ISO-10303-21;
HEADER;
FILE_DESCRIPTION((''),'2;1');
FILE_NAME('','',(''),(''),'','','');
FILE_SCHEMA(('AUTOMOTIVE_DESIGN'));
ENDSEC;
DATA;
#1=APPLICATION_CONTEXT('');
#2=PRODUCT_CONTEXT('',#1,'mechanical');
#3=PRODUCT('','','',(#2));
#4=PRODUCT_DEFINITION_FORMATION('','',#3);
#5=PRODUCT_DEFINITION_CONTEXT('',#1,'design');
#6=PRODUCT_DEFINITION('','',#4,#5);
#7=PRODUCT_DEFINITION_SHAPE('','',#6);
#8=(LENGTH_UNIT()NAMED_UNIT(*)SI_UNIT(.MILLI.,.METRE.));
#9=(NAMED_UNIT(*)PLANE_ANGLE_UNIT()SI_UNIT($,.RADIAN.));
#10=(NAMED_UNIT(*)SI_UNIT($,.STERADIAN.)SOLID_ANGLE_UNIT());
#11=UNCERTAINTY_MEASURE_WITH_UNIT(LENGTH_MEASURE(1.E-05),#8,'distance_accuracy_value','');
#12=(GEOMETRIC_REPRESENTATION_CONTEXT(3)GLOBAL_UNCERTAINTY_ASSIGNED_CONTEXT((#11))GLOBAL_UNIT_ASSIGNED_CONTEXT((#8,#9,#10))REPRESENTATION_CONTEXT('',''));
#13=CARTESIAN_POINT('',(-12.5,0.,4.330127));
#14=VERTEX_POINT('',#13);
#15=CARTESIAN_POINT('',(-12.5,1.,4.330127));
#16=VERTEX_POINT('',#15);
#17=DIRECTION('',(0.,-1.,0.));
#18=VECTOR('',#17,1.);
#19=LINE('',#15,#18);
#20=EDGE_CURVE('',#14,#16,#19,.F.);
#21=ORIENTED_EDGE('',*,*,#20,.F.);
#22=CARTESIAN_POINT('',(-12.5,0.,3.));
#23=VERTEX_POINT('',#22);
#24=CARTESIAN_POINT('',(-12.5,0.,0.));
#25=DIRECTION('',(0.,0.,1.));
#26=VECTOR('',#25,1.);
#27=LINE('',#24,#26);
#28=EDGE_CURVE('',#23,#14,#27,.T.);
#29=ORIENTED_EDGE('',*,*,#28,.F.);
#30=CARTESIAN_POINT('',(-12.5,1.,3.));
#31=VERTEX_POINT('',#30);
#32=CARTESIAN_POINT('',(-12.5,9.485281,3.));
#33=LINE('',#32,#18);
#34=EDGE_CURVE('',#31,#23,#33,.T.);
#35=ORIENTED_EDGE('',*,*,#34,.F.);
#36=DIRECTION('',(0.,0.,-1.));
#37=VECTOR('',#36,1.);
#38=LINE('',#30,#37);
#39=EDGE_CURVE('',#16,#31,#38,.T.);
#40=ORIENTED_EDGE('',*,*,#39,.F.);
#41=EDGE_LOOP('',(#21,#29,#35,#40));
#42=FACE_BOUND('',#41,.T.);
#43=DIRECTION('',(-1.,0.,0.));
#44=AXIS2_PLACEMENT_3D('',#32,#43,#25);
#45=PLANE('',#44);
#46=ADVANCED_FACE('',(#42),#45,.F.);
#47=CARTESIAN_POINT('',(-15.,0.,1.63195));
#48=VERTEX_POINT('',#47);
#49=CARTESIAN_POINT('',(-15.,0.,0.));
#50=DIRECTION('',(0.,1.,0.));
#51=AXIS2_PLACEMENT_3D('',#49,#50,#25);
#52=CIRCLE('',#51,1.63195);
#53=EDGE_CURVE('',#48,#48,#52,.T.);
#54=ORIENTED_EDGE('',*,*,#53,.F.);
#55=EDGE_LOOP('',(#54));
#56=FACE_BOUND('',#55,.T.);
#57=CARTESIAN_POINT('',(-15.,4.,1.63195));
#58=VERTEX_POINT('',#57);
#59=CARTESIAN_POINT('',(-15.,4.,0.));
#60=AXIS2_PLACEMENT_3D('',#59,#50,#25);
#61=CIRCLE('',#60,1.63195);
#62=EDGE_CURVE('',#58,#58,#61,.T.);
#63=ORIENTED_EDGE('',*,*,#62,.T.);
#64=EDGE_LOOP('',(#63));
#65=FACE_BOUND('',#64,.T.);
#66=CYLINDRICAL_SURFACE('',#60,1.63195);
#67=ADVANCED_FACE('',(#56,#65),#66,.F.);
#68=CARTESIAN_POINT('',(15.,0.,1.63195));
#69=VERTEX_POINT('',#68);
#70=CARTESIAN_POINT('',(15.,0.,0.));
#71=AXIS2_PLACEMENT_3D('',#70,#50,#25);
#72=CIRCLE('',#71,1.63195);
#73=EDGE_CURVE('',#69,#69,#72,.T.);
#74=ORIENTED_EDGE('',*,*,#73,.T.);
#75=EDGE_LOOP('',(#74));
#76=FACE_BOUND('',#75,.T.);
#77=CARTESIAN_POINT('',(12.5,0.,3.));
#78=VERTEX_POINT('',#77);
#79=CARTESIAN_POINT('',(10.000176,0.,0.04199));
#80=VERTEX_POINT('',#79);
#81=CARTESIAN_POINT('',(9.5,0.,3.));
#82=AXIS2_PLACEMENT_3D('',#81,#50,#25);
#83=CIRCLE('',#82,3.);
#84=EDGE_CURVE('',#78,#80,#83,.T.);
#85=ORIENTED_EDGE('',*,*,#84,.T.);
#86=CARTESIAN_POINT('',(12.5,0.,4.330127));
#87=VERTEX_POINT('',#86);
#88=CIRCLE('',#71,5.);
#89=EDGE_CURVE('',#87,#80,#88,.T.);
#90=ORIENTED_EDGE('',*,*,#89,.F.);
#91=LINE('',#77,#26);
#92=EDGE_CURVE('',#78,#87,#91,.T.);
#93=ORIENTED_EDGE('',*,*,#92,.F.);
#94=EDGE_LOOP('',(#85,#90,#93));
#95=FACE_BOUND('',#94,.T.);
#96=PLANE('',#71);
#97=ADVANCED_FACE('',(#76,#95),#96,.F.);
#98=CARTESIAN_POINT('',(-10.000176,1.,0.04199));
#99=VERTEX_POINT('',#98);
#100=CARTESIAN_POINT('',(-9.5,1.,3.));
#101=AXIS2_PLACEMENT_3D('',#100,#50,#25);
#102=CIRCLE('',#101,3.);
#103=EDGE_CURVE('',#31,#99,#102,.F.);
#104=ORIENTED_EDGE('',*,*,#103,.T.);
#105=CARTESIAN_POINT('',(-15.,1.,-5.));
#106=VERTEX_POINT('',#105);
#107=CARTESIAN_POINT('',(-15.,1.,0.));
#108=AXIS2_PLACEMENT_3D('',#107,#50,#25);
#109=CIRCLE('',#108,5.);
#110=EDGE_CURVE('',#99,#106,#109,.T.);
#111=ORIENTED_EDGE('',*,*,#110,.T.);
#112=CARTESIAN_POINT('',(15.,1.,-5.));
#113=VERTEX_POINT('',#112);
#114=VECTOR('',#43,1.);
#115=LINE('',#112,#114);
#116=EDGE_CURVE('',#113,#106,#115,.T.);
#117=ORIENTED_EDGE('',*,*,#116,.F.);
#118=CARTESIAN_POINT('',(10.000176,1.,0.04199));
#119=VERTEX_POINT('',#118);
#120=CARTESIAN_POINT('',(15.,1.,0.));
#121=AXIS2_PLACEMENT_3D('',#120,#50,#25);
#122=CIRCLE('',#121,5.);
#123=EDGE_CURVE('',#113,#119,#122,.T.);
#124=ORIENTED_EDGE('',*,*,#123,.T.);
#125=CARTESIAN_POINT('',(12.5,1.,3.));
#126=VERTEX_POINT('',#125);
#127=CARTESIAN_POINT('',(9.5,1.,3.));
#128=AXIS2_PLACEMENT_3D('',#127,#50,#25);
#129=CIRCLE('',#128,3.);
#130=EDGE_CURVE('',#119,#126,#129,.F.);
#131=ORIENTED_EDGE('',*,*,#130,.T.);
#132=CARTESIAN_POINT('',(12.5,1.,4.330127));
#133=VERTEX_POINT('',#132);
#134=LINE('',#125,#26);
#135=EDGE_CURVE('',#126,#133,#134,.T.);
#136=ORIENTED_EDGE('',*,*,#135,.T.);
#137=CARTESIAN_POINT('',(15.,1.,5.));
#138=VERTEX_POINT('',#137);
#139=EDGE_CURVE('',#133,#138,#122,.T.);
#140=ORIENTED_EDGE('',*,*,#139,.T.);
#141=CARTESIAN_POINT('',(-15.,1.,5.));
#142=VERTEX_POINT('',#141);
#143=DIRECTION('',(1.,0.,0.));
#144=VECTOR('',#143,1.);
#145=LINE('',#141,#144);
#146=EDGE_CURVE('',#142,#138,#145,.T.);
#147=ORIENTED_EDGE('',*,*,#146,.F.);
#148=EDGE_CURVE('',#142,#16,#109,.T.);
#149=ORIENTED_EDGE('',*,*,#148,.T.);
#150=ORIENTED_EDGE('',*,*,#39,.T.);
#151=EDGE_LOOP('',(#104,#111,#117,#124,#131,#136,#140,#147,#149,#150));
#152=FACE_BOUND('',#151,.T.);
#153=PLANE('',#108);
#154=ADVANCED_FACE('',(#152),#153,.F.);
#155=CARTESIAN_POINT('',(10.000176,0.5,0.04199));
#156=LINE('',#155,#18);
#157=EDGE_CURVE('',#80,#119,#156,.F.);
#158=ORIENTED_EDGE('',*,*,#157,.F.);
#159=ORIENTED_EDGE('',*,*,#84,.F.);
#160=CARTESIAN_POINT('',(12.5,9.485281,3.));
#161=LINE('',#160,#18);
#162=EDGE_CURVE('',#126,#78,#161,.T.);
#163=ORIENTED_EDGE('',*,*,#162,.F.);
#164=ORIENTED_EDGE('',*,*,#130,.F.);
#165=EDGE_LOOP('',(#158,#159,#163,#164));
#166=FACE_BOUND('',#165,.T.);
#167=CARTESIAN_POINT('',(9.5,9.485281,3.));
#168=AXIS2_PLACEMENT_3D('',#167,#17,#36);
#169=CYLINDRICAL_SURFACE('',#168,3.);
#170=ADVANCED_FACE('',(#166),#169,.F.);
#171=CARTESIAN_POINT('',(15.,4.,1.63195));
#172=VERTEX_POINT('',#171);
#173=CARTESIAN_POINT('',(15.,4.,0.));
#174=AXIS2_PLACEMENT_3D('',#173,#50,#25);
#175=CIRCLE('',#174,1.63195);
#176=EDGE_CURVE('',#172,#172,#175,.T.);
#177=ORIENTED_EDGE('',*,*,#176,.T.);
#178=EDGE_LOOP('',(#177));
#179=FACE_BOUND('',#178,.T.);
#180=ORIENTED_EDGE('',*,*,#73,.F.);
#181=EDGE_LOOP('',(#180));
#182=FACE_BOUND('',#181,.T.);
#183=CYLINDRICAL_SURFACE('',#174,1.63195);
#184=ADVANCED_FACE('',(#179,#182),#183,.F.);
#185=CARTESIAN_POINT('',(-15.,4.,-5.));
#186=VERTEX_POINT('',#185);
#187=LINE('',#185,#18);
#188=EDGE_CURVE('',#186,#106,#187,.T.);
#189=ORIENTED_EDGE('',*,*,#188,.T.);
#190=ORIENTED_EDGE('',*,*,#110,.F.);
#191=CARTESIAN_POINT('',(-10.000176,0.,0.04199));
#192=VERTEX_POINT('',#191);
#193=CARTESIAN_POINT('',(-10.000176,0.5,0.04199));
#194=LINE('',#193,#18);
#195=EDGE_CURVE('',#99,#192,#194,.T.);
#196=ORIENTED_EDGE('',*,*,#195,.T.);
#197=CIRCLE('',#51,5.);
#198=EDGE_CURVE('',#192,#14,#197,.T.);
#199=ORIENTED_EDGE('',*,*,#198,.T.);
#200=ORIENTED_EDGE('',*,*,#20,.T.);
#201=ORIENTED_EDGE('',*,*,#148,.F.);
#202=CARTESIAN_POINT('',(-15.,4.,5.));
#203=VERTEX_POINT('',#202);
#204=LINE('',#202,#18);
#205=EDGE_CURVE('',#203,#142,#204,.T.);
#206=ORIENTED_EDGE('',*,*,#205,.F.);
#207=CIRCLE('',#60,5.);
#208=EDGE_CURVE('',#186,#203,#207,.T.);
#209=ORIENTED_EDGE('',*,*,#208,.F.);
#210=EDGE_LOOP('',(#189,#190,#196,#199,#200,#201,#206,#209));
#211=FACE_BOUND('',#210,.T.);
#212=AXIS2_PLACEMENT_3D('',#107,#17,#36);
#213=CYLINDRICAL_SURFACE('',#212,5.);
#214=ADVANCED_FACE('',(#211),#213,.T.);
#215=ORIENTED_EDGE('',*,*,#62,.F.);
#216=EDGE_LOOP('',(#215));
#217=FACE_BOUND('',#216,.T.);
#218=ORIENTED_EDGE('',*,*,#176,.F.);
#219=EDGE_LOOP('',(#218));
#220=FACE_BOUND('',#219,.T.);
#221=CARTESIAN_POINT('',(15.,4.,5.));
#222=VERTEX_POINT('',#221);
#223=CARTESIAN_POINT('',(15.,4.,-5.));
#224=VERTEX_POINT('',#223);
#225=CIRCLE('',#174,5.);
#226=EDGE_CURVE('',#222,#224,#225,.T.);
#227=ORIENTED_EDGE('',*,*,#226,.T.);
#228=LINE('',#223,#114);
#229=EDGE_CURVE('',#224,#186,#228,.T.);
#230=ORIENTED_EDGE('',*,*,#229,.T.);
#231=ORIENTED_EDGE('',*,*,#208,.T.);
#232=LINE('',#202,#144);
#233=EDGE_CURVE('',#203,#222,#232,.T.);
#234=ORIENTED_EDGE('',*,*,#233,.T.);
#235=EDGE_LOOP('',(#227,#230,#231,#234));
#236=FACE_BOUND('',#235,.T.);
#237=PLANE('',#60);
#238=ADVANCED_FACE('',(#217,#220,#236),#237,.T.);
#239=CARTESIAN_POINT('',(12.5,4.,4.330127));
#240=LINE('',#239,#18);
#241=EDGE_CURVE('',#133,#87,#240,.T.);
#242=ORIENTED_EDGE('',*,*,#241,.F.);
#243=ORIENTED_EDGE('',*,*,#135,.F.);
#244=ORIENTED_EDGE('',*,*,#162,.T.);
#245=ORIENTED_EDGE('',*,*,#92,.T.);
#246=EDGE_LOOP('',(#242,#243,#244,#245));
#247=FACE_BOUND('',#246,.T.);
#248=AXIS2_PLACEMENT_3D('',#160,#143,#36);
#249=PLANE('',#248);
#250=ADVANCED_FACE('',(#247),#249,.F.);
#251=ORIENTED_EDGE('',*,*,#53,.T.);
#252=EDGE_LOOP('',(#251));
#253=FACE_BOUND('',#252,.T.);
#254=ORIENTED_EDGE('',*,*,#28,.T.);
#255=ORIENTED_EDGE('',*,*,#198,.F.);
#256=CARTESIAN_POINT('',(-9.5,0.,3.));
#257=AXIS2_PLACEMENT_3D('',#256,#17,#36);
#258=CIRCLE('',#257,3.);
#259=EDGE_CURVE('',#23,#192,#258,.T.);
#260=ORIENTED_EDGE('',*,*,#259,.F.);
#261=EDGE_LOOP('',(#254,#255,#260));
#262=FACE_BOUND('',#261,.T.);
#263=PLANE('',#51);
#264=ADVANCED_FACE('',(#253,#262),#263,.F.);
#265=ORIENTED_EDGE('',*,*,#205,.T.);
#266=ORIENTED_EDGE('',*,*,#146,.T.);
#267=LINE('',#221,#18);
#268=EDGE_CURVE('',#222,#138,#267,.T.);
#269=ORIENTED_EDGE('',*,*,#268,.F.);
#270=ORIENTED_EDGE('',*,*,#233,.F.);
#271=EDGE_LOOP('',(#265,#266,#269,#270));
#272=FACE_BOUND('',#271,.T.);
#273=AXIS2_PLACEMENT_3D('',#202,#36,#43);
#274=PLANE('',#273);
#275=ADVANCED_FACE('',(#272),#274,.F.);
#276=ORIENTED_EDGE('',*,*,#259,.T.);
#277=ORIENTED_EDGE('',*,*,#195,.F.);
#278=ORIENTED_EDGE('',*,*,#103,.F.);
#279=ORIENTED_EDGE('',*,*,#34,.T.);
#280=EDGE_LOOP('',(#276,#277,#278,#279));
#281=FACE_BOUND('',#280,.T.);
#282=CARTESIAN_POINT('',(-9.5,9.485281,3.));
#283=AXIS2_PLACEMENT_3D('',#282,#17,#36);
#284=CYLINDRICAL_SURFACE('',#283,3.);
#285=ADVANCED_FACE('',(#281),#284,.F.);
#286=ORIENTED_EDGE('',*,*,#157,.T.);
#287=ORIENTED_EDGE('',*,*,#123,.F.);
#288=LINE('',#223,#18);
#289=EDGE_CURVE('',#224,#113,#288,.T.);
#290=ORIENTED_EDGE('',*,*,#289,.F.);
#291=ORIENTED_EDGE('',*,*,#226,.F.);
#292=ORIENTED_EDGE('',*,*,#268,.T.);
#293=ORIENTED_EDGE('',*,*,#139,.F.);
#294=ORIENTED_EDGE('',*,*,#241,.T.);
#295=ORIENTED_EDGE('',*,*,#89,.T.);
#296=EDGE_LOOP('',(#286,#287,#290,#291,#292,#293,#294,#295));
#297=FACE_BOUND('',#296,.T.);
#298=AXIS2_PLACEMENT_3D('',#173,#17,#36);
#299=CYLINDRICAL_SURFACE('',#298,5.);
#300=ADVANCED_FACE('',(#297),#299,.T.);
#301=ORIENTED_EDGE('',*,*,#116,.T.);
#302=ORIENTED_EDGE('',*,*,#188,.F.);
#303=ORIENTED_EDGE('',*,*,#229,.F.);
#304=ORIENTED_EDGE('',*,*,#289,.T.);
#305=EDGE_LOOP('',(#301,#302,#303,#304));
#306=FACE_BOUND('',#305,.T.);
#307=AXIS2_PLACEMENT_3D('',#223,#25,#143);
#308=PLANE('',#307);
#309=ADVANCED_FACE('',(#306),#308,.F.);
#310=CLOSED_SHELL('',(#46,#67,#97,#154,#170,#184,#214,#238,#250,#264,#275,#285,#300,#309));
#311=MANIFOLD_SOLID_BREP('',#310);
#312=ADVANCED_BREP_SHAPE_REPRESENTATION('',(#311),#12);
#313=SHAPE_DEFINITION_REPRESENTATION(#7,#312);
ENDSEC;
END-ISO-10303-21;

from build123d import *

# Parameters (mm, degrees)
SKETCH1_R             = 5
BOSS_EXTRUDE1_DEPTH   = 1
BOSS_EXTRUDE1_2_DEPTH = 1
BOSS_EXTRUDE2_DEPTH   = 3
F_4_CLEARANCE_HOLE1_D = 3.2639
CUT_EXTRUDE1_DEPTH    = 1


with BuildPart() as part:
    # Sketch1 → Boss-Extrude1 (new body)
    with BuildSketch(Plane(origin=(0, 0, 0), x_dir=(1, 0, 0), z_dir=(0, 1, 0))):
        with Locations(Location((-15, 0, 0), (0, 0, 270))):
            Circle(SKETCH1_R)
    extrude(amount=BOSS_EXTRUDE1_DEPTH)



with BuildPart() as body_2:
    # Sketch1 → Boss-Extrude1 2 (new body)
    with BuildSketch(Plane(origin=(0, 0, 0), x_dir=(1, 0, 0), z_dir=(0, 1, 0))):
        with Locations(Location((15, 0, 0), (0, 0, 270))):
            Circle(SKETCH1_R)
    extrude(amount=BOSS_EXTRUDE1_2_DEPTH)


with BuildPart() as part_1:
    add(part.part)

    add(body_2.part)  # Boss-Extrude2 merges body 2
    # Sketch2 → Boss-Extrude2 (add)
    with BuildSketch(Plane(origin=(0, 1, 0), x_dir=(1, 0, 0), z_dir=(0, 1, 0))):
        with BuildLine():
            Line((-15, -5), (15, -5))
            ThreePointArc((15, -5), (20, 0), (15, 5))
            Line((15, 5), (-15, 5))
            ThreePointArc((-15, 5), (-20, 0), (-15, -5))
        make_face()
    extrude(amount=BOSS_EXTRUDE2_DEPTH)

    # #4 Clearance Hole1 (through all)
    with Locations(Plane(origin=(0, 4, 0), x_dir=(1, 0, 0), z_dir=(0, 1, 0))):
        with Locations((-15, 0), (15, 0)):
            Hole(F_4_CLEARANCE_HOLE1_D / 2)

    # Sketch5 → Cut-Extrude1 (cut)
    with BuildSketch(Plane.XZ):
        with BuildLine():
            Line((12.5, 3), (12.5, 6))
            Line((12.5, 6), (9.5, 6))
            ThreePointArc((9.5, 6), (7.378679656, 5.121320344), (6.5, 3))
            Line((6.5, 3), (6.5, 0))
            Line((6.5, 0), (9.5, 0))
            ThreePointArc((9.5, 0), (11.621320344, 0.878679656), (12.5, 3))
        make_face()
        with BuildLine():
            Line((-12.5, 3), (-12.5, 6))
            Line((-12.5, 6), (-9.5, 6))
            ThreePointArc((-9.5, 6), (-7.378679656, 5.121320344), (-6.5, 3))
            Line((-6.5, 3), (-6.5, 0))
            Line((-6.5, 0), (-9.5, 0))
            ThreePointArc((-9.5, 0), (-11.621320344, 0.878679656), (-12.5, 3))
        make_face()
    extrude(amount=-CUT_EXTRUDE1_DEPTH, mode=Mode.SUBTRACT)


solid = part_1.part
